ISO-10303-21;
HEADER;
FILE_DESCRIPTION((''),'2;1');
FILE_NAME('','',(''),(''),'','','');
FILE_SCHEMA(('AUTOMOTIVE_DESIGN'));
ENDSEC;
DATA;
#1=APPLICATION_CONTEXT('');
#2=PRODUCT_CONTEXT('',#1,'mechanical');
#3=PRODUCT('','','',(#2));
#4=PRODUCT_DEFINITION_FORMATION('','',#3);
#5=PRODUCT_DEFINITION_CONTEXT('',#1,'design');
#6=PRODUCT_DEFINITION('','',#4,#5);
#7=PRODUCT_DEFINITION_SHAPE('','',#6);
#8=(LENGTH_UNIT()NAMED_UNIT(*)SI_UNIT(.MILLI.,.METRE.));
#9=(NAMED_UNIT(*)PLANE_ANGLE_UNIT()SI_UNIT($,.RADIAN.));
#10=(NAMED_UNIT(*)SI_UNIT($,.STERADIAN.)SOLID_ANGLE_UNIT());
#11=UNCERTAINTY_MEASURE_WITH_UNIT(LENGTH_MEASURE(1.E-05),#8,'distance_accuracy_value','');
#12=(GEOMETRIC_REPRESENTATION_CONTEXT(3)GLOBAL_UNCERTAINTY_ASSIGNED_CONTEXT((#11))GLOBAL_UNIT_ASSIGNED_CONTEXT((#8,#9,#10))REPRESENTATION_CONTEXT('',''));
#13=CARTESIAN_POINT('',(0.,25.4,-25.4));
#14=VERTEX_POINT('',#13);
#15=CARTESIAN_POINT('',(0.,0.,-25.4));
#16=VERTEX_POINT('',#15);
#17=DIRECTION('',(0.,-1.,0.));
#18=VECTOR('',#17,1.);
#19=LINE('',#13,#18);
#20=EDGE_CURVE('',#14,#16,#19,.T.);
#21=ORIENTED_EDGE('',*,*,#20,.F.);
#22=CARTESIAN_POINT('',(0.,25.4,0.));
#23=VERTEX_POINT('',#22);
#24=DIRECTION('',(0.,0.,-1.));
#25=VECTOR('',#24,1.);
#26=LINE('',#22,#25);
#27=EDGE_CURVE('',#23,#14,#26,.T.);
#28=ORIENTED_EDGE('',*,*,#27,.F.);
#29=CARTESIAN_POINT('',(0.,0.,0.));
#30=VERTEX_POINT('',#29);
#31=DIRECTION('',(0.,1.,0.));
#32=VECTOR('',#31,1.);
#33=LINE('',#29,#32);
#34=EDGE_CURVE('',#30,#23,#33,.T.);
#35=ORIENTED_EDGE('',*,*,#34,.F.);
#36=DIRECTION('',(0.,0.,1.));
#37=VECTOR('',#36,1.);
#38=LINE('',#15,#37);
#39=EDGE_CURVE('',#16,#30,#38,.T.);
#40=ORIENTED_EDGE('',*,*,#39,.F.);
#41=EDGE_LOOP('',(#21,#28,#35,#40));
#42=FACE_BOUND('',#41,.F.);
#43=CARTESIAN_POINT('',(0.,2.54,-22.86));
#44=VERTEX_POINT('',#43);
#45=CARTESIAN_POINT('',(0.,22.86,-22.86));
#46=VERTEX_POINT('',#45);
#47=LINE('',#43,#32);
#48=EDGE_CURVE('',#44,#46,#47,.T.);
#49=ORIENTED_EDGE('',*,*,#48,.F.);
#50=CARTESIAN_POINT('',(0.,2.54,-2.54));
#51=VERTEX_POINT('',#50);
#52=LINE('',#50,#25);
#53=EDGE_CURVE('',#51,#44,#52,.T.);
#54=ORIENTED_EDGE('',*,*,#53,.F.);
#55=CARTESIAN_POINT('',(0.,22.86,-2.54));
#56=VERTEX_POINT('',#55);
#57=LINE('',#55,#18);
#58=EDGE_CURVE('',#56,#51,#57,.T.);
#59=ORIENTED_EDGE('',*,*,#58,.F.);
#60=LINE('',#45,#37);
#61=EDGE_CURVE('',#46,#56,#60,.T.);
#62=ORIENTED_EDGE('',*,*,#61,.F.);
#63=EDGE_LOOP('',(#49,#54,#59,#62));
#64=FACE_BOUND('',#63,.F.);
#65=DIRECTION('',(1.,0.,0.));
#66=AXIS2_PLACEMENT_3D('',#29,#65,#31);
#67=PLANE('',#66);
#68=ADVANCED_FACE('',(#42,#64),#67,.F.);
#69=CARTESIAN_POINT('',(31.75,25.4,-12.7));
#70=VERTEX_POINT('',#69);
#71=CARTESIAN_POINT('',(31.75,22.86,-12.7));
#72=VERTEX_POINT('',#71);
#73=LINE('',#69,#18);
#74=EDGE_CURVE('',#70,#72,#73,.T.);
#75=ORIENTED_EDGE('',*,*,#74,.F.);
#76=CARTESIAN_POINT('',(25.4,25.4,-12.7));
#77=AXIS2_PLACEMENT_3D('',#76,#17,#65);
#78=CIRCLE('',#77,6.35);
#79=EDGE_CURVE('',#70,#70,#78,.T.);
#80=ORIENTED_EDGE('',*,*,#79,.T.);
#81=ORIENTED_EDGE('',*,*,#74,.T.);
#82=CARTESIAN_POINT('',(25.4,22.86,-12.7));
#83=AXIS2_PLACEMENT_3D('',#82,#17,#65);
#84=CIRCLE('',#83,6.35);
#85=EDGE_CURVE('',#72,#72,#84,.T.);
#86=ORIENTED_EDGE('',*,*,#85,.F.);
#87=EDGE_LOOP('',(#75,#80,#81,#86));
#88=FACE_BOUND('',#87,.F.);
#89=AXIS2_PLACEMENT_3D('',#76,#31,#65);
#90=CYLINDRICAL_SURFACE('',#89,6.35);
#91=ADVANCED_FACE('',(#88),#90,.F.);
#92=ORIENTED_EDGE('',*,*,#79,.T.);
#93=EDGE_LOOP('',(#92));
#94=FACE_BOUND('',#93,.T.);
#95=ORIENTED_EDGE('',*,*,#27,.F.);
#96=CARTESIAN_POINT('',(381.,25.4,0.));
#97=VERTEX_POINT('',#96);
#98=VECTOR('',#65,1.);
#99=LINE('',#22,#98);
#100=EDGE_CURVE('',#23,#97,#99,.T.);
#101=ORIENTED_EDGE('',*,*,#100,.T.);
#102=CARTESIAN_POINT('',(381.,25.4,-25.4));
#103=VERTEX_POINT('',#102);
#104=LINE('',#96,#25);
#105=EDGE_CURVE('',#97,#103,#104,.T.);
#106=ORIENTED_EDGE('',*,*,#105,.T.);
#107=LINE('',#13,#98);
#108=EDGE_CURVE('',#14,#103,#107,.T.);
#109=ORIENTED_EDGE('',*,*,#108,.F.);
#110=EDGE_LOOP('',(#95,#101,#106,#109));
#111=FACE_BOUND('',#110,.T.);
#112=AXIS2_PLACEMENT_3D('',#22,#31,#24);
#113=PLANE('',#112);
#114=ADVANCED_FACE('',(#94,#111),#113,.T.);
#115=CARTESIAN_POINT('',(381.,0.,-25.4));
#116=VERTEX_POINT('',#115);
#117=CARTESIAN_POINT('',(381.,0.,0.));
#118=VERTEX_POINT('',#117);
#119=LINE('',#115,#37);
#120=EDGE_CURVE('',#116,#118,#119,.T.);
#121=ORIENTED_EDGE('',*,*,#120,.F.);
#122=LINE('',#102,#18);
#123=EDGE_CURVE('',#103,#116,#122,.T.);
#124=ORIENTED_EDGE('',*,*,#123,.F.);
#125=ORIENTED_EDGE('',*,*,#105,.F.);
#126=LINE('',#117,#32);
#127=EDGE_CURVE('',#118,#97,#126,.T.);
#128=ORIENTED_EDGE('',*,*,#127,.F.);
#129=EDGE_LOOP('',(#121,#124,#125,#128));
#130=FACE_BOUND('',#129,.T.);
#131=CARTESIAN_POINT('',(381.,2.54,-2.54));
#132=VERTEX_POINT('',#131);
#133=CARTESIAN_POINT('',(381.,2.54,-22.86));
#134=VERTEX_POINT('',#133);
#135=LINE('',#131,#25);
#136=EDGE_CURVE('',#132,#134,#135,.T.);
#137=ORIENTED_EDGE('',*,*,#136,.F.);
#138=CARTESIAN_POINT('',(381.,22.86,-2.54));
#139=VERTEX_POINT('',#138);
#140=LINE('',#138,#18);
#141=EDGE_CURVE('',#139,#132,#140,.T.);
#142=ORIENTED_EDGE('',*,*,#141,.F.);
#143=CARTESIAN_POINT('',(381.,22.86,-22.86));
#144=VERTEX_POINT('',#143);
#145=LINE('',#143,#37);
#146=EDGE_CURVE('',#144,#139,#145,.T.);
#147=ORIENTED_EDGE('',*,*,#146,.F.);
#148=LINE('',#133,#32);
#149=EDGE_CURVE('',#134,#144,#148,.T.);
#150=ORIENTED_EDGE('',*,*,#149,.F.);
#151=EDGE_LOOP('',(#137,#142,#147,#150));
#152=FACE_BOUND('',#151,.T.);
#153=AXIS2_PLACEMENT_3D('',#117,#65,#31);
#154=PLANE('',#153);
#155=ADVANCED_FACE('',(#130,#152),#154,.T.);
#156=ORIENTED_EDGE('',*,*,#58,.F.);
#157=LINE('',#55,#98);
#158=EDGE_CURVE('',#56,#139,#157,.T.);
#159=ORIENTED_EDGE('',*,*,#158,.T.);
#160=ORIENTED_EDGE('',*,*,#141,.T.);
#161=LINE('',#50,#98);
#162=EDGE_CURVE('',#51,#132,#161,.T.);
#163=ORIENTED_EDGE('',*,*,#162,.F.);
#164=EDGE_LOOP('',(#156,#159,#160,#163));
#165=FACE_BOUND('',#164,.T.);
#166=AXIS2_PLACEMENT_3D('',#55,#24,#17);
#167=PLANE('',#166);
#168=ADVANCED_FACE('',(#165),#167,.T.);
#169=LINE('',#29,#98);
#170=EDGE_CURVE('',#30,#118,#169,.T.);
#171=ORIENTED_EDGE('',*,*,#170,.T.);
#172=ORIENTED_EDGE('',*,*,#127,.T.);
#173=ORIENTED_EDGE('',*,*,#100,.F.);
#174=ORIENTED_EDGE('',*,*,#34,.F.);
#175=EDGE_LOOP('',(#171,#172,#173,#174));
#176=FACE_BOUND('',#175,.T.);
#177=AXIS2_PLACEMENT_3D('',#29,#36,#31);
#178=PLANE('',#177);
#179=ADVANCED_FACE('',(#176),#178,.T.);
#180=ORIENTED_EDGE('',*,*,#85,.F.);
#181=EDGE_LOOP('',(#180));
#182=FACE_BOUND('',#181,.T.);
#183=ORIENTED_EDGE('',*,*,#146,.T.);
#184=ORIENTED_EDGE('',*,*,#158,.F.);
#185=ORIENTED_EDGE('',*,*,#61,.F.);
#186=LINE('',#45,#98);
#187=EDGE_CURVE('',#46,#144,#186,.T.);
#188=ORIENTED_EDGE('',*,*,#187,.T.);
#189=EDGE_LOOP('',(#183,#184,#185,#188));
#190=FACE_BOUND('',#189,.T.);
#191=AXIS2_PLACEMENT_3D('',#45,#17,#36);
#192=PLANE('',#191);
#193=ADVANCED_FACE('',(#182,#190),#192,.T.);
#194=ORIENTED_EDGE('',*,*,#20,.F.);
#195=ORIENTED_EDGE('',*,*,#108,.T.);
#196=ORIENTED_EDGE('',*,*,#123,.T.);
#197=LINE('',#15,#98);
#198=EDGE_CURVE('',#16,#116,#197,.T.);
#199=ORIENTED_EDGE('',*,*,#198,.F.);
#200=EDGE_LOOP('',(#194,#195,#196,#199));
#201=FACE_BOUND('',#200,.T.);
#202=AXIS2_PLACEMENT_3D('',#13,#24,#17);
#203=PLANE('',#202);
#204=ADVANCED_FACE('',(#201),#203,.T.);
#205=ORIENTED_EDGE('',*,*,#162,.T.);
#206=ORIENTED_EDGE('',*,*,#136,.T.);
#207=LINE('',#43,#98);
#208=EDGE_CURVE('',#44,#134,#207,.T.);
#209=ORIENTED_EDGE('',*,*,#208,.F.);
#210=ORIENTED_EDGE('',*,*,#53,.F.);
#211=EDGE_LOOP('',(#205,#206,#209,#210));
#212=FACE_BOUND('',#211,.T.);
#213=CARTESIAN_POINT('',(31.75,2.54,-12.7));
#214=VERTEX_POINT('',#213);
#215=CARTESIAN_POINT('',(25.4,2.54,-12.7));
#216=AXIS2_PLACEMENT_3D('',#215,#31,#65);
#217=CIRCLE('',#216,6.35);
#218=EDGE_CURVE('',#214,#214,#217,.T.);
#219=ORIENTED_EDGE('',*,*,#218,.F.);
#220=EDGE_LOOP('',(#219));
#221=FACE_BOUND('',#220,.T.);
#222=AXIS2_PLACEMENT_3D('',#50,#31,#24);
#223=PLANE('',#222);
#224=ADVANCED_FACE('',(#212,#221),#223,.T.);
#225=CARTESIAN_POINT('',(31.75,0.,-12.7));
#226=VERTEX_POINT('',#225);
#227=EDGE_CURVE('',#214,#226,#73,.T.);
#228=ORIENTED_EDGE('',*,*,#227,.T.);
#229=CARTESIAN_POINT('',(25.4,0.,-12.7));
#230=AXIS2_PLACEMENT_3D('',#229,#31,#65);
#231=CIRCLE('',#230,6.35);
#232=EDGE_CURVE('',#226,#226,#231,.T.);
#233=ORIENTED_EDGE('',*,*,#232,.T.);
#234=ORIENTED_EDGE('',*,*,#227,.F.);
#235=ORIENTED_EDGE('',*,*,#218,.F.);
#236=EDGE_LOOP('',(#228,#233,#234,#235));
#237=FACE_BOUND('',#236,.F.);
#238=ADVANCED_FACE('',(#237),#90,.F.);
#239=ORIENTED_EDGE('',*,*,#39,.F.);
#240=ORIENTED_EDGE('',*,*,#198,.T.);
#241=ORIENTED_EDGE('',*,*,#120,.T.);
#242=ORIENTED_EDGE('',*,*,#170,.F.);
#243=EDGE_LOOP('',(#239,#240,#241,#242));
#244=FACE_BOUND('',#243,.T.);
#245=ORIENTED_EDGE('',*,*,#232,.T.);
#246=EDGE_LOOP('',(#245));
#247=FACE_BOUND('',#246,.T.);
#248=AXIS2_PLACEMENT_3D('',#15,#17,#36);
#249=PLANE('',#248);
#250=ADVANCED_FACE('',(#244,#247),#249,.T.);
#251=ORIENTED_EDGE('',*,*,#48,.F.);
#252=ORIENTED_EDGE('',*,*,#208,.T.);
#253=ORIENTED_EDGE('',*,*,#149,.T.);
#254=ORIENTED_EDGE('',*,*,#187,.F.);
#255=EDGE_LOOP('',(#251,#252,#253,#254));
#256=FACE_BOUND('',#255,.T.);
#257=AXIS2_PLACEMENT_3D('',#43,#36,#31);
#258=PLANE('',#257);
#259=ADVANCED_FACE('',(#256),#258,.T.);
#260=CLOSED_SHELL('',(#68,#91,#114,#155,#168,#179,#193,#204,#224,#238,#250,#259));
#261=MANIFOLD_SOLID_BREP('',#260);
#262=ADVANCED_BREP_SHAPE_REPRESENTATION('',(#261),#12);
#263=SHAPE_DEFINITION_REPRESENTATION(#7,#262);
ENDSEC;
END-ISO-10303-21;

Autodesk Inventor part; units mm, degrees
ref_plane "YZ Plane" through (0, 0, 0) normal (1, 0, 0) x (0, 1, 0)
ref_plane "XZ Plane" through (0, 0, 0) normal (0, 1, 0) x (-1, 0, 0)
ref_plane "XY Plane" through (0, 0, 0) normal (0, 0, 1) x (1, 0, 0)
sketch "Sketch1" plane through (0, 0, 0) normal (1, 0, 0) x (0, 1, 0)
  line L0 (0, 0) -> (25.4, 0)
  line L1 (25.4, 0) -> (25.4, -25.4)
  line L2 (25.4, -25.4) -> (0, -25.4)
  line L3 (0, -25.4) -> (0, 0)
  line L4 (22.86, -22.86) -> (22.86, -2.54)
  line L5 (22.86, -2.54) -> (2.54, -2.54)
  line L6 (2.54, -2.54) -> (2.54, -22.86)
  line L7 (2.54, -22.86) -> (22.86, -22.86)
  dimension "d0" = 25.4
  dimension "d1" = 25.4
  dimension "d2" = 2.54
extrude "Extrusion1" add sketch "Sketch1" along normal blind 381
sketch "Sketch3" plane through (0, 25.4, 0) normal (0, 1, 0) x (1, 0, 0)
  line L0 (0, 0) -> (0, 25.4) projected
  line L1 (0, 12.7) -> (25.4, 12.7)
  circle A0 centre (25.4, 12.7) radius 6.35
  dimension "d9" = 25.4
  dimension "d10" = 12.7
extrude "Extrusion3" cut sketch "Sketch3" against normal blind 25.4
properties part number "16 inch arm"
